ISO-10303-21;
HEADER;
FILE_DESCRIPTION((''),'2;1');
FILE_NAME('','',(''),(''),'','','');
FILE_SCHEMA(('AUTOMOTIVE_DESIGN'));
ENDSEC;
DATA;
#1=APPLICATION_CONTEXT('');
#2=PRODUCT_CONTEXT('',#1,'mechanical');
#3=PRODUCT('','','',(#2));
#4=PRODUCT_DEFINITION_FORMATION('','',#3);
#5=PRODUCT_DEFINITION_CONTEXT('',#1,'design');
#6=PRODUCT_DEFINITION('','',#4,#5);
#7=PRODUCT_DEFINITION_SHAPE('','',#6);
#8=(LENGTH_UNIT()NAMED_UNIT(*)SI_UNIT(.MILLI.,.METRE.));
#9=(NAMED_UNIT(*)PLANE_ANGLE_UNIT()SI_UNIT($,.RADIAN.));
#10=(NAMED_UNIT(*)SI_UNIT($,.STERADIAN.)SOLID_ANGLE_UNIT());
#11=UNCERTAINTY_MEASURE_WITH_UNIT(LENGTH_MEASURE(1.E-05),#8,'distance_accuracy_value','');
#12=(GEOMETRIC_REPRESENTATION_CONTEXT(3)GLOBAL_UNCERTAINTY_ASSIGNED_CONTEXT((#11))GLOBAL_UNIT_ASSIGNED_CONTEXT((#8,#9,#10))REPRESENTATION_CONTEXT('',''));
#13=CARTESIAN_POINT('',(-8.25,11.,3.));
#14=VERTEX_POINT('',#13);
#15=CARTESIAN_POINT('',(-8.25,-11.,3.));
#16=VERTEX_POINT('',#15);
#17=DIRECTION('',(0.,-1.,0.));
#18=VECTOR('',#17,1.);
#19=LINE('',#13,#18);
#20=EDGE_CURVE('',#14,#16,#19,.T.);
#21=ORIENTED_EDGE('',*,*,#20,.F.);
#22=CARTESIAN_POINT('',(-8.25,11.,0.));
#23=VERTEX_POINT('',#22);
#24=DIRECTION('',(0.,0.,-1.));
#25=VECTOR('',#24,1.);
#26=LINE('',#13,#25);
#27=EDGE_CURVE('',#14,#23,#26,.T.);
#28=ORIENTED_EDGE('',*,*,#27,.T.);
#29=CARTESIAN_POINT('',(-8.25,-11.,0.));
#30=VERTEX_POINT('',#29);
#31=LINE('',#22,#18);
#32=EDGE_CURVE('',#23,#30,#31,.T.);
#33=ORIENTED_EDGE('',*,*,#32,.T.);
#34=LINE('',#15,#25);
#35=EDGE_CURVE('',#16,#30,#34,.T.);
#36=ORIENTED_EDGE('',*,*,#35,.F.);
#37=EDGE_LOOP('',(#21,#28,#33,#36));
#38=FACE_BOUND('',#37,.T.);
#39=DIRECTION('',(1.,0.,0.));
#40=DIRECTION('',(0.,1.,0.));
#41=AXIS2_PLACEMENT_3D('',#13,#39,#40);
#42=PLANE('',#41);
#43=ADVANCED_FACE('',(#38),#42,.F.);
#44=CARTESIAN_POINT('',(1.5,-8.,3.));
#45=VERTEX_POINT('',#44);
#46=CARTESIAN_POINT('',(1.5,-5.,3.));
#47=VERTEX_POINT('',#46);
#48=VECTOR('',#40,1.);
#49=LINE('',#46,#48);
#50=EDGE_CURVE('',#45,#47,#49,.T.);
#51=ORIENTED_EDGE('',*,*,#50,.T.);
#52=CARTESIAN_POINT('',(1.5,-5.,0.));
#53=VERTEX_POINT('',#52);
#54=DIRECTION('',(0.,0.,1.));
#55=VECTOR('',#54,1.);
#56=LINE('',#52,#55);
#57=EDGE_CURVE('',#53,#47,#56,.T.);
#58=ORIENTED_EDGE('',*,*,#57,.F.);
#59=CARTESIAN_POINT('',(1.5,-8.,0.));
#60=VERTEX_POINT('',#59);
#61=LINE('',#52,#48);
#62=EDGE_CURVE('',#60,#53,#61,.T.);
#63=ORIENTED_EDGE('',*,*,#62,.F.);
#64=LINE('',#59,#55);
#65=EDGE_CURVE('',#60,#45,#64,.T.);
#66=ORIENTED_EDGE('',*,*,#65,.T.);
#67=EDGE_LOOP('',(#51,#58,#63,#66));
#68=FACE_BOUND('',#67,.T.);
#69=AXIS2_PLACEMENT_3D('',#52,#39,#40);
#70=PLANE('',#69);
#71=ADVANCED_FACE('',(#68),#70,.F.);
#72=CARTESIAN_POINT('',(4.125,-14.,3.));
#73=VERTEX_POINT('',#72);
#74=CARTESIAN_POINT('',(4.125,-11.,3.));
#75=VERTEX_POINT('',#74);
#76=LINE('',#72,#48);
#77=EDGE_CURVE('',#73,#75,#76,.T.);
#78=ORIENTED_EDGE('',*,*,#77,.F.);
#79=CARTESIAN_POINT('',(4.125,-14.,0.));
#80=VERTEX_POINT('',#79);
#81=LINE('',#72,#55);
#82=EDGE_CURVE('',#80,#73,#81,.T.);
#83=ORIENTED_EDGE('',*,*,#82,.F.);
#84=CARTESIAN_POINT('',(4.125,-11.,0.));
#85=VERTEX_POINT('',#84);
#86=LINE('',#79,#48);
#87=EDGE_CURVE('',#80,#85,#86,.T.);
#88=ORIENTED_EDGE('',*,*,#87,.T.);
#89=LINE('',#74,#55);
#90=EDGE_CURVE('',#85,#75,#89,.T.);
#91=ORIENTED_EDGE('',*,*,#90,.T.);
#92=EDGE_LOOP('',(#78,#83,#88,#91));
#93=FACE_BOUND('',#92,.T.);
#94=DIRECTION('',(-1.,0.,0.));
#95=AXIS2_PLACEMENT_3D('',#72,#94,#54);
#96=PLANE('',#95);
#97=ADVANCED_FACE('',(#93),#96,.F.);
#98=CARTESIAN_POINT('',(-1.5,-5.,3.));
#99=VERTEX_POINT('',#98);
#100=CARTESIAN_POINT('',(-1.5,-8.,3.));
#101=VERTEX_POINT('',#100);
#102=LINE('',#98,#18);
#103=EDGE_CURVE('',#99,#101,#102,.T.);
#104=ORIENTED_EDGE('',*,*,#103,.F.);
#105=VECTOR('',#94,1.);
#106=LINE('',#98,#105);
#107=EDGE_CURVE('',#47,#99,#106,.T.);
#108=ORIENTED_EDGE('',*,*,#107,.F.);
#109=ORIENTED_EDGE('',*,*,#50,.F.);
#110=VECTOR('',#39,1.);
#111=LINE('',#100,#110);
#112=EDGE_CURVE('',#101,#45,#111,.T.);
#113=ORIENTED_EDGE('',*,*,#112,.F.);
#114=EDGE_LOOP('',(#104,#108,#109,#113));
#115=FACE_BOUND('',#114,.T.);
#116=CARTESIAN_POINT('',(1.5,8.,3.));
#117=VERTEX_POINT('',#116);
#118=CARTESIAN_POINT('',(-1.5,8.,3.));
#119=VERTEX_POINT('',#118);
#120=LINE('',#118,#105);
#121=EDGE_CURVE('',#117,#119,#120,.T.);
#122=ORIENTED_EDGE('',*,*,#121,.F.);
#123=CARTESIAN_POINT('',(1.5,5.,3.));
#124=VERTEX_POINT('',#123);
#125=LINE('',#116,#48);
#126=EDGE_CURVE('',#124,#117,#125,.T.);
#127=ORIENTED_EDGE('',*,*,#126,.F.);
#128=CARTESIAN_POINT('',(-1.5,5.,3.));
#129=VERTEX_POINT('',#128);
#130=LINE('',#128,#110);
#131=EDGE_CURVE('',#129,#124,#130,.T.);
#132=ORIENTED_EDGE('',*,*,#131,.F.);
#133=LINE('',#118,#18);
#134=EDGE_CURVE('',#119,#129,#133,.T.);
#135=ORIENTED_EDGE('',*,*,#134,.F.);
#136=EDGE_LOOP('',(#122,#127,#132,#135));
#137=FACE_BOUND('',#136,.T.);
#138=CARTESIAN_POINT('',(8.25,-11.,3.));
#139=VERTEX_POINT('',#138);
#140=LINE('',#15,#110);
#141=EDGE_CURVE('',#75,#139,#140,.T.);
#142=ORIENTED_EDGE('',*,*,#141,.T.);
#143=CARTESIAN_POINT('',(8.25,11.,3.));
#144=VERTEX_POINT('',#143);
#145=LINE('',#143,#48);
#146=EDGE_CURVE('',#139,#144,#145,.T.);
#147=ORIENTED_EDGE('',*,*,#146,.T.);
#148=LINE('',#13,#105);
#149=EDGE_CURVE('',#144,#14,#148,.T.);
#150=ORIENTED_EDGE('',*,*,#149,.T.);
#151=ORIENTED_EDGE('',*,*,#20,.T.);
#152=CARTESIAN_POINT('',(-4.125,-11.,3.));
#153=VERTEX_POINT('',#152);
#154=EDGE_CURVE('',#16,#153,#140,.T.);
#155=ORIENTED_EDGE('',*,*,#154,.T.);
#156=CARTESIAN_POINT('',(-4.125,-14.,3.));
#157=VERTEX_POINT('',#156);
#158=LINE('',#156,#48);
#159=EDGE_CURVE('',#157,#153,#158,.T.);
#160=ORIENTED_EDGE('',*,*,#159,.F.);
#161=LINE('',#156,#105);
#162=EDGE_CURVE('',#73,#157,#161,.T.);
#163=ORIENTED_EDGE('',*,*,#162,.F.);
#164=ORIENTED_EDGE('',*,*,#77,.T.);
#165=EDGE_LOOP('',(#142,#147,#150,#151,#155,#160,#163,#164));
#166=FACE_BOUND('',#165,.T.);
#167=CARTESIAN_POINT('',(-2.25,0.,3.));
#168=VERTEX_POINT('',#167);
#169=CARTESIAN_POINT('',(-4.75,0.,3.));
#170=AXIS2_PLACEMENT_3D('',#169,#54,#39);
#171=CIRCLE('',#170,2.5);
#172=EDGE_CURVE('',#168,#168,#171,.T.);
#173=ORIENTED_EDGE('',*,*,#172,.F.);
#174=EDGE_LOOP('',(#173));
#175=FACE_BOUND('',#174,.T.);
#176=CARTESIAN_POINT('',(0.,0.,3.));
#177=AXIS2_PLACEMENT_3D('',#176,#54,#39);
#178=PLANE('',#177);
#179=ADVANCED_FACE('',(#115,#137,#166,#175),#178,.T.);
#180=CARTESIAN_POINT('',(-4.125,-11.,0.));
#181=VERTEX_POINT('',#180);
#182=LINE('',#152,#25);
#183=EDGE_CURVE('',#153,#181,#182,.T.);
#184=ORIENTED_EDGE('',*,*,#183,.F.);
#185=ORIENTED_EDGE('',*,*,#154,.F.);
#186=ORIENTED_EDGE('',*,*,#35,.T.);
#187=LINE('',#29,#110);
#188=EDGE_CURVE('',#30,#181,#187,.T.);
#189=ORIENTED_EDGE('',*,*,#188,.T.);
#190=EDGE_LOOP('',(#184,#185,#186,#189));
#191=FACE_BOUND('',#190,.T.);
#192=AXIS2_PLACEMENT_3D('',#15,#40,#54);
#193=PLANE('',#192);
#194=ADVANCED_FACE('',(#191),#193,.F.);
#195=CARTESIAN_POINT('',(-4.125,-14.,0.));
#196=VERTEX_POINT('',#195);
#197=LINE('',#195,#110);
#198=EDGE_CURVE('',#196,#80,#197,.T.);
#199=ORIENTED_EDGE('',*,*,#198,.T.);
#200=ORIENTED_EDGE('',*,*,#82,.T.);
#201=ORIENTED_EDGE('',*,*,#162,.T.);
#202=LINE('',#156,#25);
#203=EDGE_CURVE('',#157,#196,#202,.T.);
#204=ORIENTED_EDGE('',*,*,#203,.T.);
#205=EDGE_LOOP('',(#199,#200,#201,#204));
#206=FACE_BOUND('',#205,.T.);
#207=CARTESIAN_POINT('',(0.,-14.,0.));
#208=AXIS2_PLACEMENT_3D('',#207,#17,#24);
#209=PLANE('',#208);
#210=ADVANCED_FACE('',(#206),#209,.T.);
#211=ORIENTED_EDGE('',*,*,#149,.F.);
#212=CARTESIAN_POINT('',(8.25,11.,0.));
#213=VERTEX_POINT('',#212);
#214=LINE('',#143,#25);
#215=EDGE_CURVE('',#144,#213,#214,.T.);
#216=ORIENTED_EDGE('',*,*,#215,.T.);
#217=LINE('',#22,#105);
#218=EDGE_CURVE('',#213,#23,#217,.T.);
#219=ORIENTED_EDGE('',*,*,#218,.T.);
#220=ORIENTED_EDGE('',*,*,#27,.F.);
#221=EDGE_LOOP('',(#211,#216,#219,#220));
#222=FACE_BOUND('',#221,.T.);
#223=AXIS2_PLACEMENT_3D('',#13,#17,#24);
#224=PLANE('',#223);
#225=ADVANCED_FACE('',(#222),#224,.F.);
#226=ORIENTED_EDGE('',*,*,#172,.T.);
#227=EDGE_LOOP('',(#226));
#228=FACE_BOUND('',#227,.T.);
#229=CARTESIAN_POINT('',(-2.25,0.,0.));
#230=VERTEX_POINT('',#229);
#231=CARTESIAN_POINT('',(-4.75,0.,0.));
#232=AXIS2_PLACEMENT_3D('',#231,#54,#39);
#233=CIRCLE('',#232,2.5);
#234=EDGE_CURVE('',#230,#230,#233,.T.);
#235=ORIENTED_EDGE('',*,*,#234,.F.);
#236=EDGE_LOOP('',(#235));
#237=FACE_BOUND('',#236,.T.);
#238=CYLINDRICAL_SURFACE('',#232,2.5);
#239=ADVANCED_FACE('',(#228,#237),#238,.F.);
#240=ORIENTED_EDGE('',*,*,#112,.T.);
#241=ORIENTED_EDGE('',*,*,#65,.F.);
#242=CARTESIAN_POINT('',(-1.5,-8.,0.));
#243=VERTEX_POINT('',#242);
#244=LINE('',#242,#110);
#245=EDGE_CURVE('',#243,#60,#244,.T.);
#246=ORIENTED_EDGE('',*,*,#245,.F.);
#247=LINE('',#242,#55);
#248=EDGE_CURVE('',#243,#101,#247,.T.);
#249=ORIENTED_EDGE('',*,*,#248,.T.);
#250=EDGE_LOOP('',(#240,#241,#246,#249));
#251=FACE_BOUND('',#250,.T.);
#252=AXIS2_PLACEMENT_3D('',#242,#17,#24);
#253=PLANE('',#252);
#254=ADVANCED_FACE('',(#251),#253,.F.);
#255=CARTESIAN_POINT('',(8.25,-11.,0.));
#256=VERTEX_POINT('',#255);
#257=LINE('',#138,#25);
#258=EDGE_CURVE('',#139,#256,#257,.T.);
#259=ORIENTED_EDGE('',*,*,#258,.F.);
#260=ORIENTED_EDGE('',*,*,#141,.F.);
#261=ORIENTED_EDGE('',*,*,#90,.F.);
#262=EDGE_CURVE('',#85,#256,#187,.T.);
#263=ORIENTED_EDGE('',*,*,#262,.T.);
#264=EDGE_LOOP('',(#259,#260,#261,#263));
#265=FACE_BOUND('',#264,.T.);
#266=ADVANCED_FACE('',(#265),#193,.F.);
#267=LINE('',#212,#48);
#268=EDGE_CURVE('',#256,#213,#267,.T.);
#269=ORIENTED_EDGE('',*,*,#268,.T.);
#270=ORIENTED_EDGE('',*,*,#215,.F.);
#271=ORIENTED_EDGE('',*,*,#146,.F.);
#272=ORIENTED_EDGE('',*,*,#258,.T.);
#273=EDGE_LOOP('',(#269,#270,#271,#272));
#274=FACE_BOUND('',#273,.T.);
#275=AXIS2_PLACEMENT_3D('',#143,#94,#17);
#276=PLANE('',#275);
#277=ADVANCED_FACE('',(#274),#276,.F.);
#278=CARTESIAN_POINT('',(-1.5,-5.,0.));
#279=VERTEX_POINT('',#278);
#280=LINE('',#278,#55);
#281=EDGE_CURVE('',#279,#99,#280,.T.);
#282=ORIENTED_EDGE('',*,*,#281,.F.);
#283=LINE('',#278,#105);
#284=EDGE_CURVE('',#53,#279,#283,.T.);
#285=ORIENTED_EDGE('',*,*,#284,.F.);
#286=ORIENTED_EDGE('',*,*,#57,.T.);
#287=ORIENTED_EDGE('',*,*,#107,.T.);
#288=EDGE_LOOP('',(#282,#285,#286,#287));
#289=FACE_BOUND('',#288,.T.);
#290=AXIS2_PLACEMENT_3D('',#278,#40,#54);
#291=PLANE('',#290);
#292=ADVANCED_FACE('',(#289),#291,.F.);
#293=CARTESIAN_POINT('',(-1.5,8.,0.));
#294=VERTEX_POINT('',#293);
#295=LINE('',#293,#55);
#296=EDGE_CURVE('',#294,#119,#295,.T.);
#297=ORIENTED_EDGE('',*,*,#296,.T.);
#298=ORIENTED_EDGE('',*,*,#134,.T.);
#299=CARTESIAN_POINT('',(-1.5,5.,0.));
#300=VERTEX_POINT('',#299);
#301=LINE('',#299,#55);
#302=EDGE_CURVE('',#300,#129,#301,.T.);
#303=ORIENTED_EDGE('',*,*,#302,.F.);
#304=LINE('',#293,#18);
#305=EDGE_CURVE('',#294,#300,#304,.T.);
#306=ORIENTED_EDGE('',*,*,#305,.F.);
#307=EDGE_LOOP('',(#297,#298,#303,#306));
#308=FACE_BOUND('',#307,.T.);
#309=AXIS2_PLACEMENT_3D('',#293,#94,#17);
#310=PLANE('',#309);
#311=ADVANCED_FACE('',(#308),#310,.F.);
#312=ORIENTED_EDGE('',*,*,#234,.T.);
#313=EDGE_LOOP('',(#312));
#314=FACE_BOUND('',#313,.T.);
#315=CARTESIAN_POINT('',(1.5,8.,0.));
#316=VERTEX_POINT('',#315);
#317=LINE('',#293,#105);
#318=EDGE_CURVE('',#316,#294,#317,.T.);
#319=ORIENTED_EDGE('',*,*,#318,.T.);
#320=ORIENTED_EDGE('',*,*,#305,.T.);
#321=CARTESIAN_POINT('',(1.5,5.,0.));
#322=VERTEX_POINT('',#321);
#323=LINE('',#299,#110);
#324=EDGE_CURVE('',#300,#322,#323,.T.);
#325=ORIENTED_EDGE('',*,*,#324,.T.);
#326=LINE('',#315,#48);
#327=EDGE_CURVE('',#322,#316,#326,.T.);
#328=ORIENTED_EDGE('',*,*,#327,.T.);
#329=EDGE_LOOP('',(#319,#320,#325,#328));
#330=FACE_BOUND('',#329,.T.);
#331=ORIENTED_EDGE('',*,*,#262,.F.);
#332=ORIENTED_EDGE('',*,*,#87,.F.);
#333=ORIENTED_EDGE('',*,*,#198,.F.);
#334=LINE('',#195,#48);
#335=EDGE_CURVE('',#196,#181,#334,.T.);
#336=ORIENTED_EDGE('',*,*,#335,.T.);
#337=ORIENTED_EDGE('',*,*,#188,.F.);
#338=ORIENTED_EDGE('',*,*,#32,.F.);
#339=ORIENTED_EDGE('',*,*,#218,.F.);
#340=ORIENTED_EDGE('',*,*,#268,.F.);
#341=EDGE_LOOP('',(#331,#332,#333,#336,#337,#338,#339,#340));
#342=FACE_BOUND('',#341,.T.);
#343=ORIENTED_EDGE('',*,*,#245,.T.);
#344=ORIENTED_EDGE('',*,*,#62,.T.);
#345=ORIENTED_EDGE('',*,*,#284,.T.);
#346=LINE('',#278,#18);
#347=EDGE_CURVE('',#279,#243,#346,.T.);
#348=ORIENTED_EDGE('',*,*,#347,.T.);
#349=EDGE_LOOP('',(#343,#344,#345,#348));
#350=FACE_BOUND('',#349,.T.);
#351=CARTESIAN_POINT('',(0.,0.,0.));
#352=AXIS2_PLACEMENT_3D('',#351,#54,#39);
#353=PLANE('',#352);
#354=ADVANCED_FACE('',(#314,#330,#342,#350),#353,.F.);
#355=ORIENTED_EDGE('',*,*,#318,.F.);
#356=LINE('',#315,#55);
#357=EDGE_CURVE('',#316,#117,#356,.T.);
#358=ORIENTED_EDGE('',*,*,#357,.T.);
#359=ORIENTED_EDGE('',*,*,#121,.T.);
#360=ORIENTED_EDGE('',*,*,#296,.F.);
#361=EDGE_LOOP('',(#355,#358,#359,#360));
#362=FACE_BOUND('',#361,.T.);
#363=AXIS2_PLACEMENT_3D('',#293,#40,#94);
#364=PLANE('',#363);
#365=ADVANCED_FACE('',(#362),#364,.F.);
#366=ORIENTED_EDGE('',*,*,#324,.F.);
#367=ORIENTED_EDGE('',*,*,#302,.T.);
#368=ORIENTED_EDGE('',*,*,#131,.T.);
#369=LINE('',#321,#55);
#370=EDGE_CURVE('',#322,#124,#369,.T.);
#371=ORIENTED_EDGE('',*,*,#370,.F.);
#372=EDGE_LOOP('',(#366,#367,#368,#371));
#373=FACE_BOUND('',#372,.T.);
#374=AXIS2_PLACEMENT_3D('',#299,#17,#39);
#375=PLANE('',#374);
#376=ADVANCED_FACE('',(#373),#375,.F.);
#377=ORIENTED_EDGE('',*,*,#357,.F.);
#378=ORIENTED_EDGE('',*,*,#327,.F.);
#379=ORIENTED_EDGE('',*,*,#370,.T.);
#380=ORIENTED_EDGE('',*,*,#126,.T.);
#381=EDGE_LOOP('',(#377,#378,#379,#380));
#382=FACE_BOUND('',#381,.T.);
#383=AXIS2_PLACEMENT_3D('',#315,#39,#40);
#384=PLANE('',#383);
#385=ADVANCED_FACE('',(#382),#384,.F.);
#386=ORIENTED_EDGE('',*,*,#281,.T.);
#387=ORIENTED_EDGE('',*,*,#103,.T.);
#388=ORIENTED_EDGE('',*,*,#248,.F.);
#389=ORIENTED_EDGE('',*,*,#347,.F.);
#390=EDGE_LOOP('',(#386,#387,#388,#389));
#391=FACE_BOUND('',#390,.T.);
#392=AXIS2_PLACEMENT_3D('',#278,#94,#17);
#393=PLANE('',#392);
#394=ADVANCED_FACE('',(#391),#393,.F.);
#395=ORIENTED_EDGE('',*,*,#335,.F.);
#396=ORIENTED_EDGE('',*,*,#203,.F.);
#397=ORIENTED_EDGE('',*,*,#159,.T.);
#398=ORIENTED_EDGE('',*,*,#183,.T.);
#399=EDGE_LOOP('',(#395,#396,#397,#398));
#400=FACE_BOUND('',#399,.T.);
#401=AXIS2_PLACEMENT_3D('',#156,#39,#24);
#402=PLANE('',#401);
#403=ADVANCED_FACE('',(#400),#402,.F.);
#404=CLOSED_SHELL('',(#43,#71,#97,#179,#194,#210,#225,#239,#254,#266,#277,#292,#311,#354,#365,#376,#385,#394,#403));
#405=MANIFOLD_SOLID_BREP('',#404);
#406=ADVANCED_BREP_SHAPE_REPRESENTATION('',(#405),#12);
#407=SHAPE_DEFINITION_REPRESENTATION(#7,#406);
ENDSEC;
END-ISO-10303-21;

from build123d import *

# Parameters (mm, degrees)
SKETCH1_W           = 16.5
SKETCH1_H           = 22
BOSS_EXTRUDE1_DEPTH = 3
SKETCH2_W           = 8.25
SKETCH2_H           = 3
BOSS_EXTRUDE2_DEPTH = 3
SKETCH3_W           = 3
SKETCH3_H           = 3
CUT_EXTRUDE1_DEPTH  = 3
SKETCH4_R           = 2.5
CUT_EXTRUDE2_DEPTH  = 3


with BuildPart() as part:
    # Sketch1 → Boss-Extrude1 (new body)
    with BuildSketch(Plane.XY):
        Rectangle(SKETCH1_W, SKETCH1_H)
    extrude(amount=BOSS_EXTRUDE1_DEPTH)

    # Sketch2 → Boss-Extrude2 (add)
    with BuildSketch(Plane(origin=(0, -11, 0), x_dir=(-1, 0, 0), z_dir=(0, -1, 0))):
        with Locations((0, -1.5)):
            Rectangle(SKETCH2_W, SKETCH2_H)
    extrude(amount=BOSS_EXTRUDE2_DEPTH)

    # Sketch3 → Cut-Extrude1 (cut)
    with BuildSketch(Plane.XY.offset(3)):
        with Locations((0, 6.5)):
            Rectangle(SKETCH3_W, SKETCH3_H)
        with Locations((0, -6.5)):
            Rectangle(SKETCH3_W, SKETCH3_H)
    extrude(amount=-CUT_EXTRUDE1_DEPTH, mode=Mode.SUBTRACT)

    # Sketch4 → Cut-Extrude2 (cut)
    with BuildSketch(Plane.XY.offset(3)):
        with Locations((-4.75, 0)):
            Circle(SKETCH4_R)
    extrude(amount=-CUT_EXTRUDE2_DEPTH, mode=Mode.SUBTRACT)


solid = part.part
